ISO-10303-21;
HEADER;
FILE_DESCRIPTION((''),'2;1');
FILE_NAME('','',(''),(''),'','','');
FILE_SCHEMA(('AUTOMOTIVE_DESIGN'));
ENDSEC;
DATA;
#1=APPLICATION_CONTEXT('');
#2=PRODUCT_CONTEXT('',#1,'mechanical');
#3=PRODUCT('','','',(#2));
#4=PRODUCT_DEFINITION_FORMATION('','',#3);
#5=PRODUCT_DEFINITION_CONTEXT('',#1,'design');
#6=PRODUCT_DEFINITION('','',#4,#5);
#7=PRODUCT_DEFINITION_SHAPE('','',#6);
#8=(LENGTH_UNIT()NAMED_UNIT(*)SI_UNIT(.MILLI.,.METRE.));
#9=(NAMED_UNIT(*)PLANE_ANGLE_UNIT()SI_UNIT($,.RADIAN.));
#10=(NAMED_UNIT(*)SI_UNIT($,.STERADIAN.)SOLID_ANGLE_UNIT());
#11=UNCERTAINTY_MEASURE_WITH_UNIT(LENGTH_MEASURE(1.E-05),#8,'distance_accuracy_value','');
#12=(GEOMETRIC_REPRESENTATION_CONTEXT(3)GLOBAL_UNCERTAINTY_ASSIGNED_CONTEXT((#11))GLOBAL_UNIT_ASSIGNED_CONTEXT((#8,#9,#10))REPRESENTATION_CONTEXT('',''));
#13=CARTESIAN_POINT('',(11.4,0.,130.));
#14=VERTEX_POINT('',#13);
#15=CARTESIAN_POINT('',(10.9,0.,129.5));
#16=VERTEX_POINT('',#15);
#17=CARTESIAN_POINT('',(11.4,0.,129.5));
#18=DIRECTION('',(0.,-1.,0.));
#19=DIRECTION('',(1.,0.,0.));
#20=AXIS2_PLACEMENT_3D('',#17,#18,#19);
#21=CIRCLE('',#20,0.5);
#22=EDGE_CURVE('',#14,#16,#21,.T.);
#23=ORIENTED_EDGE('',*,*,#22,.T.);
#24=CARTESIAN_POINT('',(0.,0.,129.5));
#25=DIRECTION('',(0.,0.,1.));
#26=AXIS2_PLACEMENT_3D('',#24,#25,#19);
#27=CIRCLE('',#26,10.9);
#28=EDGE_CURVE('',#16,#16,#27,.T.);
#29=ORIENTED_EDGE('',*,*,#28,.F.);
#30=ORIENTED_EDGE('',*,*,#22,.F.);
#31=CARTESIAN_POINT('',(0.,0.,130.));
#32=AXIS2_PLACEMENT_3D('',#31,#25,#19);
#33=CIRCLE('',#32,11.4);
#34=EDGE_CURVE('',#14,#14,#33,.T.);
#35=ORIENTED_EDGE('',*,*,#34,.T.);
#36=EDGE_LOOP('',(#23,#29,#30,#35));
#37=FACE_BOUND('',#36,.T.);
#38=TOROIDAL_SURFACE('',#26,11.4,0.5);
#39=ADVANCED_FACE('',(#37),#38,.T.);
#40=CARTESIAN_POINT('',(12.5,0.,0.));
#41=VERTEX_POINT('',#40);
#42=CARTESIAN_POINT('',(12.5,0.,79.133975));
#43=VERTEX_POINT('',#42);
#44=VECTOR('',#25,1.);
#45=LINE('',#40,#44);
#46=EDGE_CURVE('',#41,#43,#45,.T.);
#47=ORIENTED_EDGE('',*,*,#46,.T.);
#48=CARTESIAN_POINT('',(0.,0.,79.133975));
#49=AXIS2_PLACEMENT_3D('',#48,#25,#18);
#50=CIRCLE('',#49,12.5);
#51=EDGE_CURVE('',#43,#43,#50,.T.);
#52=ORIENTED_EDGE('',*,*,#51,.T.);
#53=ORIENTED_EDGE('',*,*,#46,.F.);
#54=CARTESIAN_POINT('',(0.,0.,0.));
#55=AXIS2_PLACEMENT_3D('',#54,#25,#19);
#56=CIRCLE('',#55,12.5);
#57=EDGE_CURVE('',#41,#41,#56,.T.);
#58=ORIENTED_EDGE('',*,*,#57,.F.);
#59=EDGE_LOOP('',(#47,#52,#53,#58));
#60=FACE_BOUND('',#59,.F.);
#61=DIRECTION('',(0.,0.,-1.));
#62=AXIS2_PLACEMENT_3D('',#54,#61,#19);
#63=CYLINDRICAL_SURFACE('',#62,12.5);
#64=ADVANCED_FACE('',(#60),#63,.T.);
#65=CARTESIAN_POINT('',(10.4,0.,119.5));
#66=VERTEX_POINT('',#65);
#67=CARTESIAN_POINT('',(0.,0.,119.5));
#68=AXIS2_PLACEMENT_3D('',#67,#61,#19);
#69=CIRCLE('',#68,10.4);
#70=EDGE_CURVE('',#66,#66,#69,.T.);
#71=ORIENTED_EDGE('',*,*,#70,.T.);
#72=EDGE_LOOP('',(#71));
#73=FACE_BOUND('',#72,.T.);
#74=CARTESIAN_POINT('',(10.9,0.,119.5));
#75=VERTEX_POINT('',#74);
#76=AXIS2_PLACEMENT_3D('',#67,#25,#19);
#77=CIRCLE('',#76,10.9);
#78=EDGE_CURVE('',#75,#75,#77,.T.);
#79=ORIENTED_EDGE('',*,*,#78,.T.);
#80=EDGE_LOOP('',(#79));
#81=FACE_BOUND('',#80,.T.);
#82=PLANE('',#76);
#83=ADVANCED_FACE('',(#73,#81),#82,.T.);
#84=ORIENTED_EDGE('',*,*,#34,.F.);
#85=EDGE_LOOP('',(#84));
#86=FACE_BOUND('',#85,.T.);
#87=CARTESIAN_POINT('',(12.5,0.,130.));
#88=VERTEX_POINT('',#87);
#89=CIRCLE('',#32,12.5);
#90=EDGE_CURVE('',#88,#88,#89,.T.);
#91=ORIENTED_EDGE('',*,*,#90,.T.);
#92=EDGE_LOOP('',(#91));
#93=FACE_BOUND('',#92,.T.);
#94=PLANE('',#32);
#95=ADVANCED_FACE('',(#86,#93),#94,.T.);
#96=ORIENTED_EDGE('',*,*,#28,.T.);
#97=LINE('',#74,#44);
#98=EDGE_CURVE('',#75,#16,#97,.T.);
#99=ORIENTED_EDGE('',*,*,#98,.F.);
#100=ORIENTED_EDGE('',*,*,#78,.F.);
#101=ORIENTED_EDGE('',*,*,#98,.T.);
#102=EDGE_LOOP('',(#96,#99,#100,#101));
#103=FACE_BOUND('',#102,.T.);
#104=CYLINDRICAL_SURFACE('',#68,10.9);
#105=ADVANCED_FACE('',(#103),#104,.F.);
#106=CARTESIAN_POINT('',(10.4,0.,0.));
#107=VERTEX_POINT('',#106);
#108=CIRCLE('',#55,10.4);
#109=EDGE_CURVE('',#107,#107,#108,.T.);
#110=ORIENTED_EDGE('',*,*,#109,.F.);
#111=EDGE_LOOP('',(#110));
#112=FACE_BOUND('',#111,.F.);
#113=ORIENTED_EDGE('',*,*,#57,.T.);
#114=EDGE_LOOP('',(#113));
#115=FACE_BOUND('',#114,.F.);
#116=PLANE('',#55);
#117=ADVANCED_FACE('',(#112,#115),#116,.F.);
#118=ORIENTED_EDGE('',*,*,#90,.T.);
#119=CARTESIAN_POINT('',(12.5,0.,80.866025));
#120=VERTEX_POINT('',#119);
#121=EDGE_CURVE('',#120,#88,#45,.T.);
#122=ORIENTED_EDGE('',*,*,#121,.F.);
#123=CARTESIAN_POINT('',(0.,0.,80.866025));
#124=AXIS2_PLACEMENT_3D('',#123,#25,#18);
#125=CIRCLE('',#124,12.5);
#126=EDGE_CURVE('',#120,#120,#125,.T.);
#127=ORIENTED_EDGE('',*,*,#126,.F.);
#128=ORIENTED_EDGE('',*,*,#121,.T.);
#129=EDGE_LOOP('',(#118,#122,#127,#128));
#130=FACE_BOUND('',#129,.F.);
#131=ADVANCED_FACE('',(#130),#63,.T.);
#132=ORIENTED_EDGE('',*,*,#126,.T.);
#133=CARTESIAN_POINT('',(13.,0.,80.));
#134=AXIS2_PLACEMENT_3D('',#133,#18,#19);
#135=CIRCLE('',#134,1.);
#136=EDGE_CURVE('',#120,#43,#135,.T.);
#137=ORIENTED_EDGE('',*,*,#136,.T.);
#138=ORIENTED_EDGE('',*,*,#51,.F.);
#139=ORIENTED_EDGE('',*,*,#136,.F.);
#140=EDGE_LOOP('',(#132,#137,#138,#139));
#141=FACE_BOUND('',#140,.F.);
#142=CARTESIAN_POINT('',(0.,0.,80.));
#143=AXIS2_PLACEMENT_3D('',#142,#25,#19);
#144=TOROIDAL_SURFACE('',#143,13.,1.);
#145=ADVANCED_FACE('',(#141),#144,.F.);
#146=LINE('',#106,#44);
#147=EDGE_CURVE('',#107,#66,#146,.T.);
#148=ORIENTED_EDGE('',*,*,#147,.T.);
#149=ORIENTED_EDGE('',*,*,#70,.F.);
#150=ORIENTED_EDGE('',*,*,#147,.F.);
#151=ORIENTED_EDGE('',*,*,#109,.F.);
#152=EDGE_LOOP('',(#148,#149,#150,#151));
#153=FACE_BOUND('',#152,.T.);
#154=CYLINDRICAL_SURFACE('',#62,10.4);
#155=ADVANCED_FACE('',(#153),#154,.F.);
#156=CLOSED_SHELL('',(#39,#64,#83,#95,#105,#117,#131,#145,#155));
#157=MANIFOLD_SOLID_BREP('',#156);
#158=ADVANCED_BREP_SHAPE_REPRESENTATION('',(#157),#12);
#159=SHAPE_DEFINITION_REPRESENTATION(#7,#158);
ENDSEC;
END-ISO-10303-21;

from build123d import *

# Parameters (mm, degrees)
TORUS001002001_R  = 1
CYLINDER002_R     = 10.9
CYLINDER002_DEPTH = 10.5
CYLINDER001_R     = 10.4
CYLINDER001_DEPTH = 130
CYLINDER_R        = 12.5
CYLINDER_DEPTH    = 130
FILLET_R          = 0.5


with BuildPart() as torus001002001:
    # Torus001002001 → Torus001002001 (revolve)
    with BuildSketch(Plane(origin=(0, 0, 80), x_dir=(1, 0, 0), z_dir=(0, -1, 0))):
        with Locations((13, 0)):
            Circle(TORUS001002001_R)
    revolve(axis=Axis((0, 0, 80), (0, 0, 1)))


with BuildPart() as cylinder002:
    # Cylinder002 → Cylinder002 (new body)
    with BuildSketch(Plane.XY.offset(119.5)):
        Circle(CYLINDER002_R)
    extrude(amount=CYLINDER002_DEPTH)


with BuildPart() as cylinder001:
    # Cylinder001 → Cylinder001 (new body)
    with BuildSketch(Plane.XY):
        Circle(CYLINDER001_R)
    extrude(amount=CYLINDER001_DEPTH)


with BuildPart() as fillet_body:
    # Cylinder → Cylinder (new body)
    with BuildSketch(Plane.XY):
        Circle(CYLINDER_R)
    extrude(amount=CYLINDER_DEPTH)

    # Cut: cut Cylinder001
    add(cylinder001.part, mode=Mode.SUBTRACT)

    # Cut001: cut Cylinder002
    add(cylinder002.part, mode=Mode.SUBTRACT)

    # Cut002: cut Torus001002001
    add(torus001002001.part, mode=Mode.SUBTRACT)

    # Fillet
    fillet_edges = [fillet_body.edges().sort_by_distance(p)[0] for p in [
        (-10.9, 0, 130),
    ]]
    fillet(fillet_edges, radius=FILLET_R)


solid = fillet_body.part
